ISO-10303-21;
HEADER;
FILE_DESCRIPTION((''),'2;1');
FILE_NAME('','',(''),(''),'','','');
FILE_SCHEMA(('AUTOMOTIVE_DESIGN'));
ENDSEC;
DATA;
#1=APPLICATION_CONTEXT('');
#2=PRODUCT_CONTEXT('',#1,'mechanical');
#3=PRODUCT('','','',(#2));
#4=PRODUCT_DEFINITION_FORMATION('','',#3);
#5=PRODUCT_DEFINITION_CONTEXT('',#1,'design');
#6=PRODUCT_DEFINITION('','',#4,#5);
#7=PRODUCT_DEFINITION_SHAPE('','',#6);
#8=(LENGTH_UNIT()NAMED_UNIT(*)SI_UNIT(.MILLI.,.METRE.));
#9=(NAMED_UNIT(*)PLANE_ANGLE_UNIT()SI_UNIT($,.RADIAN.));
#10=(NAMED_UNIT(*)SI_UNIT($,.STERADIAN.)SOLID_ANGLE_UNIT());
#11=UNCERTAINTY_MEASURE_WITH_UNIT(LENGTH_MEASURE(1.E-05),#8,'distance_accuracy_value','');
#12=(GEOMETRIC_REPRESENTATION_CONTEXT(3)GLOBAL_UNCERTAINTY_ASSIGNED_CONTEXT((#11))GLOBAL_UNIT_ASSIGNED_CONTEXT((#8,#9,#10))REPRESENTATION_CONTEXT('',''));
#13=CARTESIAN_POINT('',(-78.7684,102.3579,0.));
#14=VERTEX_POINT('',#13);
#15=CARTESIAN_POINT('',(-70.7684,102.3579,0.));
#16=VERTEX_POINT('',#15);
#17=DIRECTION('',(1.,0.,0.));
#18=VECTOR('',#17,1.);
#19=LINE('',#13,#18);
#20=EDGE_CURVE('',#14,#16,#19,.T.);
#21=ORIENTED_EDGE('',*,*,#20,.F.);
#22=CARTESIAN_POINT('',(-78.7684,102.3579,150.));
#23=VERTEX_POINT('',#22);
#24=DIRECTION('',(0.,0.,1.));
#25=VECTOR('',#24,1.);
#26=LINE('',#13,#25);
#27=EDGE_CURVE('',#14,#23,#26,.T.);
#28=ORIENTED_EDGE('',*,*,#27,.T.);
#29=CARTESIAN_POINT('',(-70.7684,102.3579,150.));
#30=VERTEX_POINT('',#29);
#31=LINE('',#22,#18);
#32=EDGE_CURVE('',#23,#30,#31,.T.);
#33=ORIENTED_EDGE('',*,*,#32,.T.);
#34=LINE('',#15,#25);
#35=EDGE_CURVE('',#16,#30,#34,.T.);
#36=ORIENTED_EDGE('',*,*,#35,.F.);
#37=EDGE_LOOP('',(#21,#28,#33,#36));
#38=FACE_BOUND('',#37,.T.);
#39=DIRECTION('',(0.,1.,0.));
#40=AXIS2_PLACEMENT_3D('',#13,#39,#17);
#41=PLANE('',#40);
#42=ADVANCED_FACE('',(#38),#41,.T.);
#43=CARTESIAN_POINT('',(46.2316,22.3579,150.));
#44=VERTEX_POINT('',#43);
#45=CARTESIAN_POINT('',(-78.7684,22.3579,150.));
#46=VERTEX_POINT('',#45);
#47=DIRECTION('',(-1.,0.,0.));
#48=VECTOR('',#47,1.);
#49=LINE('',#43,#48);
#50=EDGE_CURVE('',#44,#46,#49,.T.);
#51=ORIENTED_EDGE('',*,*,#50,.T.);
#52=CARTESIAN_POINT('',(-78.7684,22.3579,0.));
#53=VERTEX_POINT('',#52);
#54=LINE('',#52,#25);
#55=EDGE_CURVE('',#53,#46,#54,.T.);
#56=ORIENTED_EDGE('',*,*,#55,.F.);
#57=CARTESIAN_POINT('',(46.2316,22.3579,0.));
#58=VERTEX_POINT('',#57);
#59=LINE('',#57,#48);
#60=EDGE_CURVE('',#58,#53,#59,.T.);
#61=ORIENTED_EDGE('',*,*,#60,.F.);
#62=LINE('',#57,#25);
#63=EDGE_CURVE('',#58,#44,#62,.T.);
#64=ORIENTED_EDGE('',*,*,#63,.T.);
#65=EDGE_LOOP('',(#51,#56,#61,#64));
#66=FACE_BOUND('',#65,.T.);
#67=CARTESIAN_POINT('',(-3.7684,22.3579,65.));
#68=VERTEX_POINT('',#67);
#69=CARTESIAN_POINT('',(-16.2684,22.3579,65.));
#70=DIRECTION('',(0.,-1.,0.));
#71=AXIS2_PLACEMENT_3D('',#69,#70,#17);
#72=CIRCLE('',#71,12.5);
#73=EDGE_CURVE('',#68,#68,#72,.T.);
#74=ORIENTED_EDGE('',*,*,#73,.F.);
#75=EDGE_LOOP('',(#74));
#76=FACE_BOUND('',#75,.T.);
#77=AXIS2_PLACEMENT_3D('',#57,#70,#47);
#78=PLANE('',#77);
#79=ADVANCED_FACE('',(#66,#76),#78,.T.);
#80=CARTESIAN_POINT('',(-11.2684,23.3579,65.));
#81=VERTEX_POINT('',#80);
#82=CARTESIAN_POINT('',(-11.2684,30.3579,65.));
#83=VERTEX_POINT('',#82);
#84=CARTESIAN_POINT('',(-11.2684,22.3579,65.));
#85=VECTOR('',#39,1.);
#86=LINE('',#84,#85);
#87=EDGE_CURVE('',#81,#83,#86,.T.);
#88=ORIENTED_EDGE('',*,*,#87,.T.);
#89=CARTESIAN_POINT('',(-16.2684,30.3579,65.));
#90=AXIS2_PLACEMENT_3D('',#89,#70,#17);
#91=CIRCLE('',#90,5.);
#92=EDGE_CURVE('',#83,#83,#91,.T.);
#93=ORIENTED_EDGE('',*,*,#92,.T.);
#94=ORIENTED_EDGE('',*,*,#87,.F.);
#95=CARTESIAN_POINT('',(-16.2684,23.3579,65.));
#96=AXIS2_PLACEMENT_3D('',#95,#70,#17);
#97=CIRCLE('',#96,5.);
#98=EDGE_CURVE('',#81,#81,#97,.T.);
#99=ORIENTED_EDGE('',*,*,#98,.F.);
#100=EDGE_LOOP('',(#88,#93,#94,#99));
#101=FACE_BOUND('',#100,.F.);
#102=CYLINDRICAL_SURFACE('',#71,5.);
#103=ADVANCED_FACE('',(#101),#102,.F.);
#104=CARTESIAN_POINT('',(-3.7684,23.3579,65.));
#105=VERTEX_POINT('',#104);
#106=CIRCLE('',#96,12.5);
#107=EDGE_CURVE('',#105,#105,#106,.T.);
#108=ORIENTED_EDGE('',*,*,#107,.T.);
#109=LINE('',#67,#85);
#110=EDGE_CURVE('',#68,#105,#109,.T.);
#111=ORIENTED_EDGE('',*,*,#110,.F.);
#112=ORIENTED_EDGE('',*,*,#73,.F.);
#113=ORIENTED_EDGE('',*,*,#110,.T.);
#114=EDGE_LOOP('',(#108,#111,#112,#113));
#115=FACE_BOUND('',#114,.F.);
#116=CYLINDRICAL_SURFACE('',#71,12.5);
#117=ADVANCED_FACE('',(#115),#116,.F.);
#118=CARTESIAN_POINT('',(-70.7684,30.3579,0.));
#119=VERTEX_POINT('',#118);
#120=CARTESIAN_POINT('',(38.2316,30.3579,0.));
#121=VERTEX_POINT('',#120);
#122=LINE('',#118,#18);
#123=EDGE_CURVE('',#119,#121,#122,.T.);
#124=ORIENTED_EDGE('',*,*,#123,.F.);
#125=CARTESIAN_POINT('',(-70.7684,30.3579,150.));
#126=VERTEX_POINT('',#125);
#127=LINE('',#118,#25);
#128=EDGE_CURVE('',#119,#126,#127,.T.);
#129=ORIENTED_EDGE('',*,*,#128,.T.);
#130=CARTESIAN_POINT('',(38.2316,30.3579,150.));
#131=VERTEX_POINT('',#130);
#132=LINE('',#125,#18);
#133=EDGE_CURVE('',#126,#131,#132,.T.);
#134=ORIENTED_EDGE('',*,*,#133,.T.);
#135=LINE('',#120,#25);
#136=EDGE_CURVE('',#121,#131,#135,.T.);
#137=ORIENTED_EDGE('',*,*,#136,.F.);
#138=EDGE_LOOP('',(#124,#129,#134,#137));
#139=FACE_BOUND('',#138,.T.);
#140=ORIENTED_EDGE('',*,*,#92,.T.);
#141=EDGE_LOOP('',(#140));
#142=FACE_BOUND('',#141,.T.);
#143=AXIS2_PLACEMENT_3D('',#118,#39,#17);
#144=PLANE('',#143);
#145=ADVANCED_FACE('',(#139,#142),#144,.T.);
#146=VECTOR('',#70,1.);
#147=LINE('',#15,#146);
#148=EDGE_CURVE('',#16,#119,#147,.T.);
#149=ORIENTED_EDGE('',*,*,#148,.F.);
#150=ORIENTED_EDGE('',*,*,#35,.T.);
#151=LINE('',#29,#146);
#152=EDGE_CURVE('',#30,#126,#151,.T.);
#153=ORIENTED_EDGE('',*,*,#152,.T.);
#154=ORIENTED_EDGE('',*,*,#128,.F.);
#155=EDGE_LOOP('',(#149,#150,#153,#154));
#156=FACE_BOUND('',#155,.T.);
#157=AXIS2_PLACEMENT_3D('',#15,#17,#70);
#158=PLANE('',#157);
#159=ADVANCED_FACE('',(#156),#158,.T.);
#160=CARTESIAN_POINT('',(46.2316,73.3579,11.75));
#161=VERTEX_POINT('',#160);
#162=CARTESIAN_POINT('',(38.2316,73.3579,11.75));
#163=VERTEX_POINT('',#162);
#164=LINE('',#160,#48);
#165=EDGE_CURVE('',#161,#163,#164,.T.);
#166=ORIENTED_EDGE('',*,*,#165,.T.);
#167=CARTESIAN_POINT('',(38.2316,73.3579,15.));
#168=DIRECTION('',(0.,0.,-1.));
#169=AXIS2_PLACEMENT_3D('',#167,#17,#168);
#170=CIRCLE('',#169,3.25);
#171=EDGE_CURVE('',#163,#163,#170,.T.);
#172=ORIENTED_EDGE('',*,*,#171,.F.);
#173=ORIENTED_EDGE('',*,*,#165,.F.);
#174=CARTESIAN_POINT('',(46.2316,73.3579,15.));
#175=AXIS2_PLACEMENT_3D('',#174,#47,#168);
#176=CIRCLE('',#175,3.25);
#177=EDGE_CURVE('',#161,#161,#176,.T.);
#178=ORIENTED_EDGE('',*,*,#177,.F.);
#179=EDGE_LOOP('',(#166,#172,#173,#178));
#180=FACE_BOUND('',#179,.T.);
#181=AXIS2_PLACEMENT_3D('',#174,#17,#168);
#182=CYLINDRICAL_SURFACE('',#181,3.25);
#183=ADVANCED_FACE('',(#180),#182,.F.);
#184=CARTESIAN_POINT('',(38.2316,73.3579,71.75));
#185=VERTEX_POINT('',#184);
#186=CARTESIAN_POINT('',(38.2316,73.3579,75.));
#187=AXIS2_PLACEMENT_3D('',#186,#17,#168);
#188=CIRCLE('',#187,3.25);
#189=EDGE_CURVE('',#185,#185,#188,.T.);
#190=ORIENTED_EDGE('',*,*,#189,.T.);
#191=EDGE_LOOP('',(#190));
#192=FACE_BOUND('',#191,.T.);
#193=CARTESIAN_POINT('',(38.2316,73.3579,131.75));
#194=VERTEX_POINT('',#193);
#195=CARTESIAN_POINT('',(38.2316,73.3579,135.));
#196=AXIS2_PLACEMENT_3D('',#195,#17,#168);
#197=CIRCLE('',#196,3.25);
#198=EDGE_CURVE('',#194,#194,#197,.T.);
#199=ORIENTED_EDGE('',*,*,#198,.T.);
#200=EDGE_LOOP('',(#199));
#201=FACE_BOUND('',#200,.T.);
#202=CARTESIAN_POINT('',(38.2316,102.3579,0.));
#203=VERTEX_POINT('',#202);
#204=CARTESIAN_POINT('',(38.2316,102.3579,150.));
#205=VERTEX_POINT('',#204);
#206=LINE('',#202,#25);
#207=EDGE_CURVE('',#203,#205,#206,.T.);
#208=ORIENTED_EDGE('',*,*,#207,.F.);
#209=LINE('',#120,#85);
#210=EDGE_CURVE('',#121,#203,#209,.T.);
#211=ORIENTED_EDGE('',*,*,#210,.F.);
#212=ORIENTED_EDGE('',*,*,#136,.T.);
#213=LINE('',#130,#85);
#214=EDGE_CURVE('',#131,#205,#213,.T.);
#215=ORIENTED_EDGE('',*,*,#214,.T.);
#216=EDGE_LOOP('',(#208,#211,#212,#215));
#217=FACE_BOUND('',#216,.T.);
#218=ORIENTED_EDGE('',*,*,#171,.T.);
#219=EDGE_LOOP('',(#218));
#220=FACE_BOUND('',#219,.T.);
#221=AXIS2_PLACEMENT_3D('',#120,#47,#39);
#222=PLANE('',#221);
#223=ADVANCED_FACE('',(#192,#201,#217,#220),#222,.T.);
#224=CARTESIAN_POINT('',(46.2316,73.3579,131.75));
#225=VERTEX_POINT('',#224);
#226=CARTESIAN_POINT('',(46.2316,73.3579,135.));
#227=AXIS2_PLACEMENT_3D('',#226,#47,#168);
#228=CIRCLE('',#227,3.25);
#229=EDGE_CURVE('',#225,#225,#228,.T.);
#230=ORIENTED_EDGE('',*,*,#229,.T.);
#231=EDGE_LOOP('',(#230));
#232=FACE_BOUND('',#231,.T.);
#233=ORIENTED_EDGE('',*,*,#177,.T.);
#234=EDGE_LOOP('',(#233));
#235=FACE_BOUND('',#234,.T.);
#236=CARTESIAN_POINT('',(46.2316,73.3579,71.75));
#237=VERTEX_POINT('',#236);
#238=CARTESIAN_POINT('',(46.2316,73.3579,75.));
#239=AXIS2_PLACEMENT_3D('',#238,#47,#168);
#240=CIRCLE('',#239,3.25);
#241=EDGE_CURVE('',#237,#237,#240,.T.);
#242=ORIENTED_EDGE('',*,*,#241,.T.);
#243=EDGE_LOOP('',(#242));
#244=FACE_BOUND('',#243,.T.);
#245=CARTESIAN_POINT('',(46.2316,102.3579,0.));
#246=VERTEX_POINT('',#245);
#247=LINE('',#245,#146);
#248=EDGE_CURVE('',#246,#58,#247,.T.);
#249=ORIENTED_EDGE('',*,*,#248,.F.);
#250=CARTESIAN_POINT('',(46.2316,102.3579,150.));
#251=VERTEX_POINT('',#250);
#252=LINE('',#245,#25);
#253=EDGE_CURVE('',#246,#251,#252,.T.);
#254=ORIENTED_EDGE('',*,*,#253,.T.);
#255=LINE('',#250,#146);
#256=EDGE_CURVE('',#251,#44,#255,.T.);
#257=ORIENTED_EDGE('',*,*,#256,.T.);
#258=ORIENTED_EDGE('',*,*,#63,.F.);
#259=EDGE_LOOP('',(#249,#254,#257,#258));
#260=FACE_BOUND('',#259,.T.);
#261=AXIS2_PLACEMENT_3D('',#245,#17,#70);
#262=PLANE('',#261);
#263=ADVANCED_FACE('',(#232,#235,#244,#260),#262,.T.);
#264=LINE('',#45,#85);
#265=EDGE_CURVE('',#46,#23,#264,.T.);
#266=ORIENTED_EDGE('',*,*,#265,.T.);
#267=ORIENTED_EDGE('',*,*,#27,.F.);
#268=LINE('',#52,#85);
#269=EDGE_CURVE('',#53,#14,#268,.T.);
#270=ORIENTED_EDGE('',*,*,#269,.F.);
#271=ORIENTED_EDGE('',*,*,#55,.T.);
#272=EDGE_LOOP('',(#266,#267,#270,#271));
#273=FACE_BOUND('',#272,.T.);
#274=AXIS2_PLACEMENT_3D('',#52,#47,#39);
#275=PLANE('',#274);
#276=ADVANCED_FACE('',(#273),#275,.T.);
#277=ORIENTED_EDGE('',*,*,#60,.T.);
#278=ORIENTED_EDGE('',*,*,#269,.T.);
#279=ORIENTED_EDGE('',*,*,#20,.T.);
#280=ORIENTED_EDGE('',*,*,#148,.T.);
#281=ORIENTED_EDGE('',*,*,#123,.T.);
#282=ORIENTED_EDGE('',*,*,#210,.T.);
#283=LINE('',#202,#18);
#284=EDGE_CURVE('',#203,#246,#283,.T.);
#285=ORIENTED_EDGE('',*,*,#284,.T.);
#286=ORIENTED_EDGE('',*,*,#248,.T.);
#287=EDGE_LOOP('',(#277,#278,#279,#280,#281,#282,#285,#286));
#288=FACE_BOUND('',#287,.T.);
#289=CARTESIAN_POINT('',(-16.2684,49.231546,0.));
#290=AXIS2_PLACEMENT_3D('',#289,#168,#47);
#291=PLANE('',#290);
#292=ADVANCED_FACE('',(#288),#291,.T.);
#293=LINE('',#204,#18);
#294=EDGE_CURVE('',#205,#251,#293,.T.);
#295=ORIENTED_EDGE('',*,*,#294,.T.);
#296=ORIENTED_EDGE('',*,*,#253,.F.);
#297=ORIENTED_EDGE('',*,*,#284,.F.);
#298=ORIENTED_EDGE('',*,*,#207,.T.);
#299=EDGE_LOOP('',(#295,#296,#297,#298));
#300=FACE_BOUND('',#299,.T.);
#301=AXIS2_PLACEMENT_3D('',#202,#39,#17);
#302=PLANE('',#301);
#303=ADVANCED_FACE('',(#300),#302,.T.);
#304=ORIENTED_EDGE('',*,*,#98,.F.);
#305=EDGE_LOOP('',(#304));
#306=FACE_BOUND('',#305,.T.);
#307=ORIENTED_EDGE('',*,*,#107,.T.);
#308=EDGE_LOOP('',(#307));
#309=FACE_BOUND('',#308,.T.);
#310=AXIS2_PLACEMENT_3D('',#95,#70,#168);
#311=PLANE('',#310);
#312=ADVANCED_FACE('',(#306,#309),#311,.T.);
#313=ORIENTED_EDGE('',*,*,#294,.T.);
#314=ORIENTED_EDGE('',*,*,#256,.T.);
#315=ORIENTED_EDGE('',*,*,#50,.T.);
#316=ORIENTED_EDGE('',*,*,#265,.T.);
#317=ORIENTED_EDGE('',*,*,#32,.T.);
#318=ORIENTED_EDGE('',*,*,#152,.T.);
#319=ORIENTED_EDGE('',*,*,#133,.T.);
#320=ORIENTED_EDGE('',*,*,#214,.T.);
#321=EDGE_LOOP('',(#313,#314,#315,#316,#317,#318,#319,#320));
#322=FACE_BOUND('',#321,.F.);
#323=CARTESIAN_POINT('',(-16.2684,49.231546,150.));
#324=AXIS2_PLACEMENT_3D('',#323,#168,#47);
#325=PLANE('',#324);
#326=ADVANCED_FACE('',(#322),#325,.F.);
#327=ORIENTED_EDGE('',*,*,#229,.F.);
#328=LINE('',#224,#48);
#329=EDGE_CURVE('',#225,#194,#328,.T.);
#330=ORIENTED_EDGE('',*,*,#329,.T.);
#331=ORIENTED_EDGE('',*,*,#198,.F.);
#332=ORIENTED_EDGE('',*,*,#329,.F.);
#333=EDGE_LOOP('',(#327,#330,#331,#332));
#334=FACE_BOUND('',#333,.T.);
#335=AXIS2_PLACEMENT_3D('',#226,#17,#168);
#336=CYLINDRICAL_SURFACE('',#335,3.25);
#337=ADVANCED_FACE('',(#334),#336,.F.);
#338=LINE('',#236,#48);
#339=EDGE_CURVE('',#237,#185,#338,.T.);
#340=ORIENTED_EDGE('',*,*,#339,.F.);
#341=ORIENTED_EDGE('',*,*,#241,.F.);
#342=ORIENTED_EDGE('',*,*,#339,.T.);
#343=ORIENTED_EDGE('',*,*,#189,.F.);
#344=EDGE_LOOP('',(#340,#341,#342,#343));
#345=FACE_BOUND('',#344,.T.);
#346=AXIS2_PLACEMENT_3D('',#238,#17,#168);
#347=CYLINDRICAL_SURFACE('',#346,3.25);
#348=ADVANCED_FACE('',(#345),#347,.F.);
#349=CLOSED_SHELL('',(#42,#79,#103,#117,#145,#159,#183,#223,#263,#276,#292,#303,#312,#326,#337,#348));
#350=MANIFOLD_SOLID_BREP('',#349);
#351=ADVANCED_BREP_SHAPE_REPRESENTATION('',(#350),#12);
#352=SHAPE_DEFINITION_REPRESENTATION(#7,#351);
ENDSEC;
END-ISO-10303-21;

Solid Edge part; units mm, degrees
sketch "Sketch1" plane through (0, 0, 0) normal (0, 0, 1) x (1, 0, 0)
  line L0 (-78.7684, 102.3579) -> (-70.7684, 102.3579)
  line L1 (-70.7684, 102.3579) -> (-70.7684, 30.3579)
  line L2 (-70.7684, 30.3579) -> (38.2316, 30.3579)
  line L3 (38.2316, 30.3579) -> (38.2316, 102.3579)
  line L4 (38.2316, 102.3579) -> (46.2316, 102.3579)
  line L5 (46.2316, 102.3579) -> (46.2316, 22.3579)
  line L6 (46.2316, 22.3579) -> (-78.7684, 22.3579)
  line L7 (-78.7684, 22.3579) -> (-78.7684, 102.3579)
  dimension "D1" = 8
  dimension "D2" = 8
  dimension "D3" = 125
  dimension "D4" = 8
  dimension "D5" = 80
extrude "Protrusion1" add sketch "Sketch1" along normal blind 150
sketch "Sketch2" plane through (-16.2684, 22.3579, 75) normal (0, -1, 0) x (1, 0, 0)
  circle A0 centre (0, -10) radius 5
  dimension "D1" = 10
  dimension "D2" = 125
  dimension "D3" = 62.5
  dimension "D4" = 150
  dimension "D5" = 85
extrude "Cutout1" cut sketch "Sketch2" against normal through all
sketch "Sketch3" plane through (-16.2684, 22.3579, 75) normal (0, -1, 0) x (1, 0, 0)
  circle A0 centre (0, -10) radius 12.5
  dimension "D1" = 25
extrude "ExtrudedCutout_2" cut sketch "Sketch3" against normal blind 1
hole "Hole_1" at (46.2316, 73.3579, 75) direction (-1, 0, 0) diameter 6.5 end up to next
hole "Hole1" at (46.2316, 73.3579, 15) direction (-1, 0, 0) diameter 6.5 end up to next
hole "Hole2" at (46.2316, 73.3579, 135) direction (-1, 0, 0) diameter 6.5 end up to next
properties material "Aluminum, 6061-T6"
